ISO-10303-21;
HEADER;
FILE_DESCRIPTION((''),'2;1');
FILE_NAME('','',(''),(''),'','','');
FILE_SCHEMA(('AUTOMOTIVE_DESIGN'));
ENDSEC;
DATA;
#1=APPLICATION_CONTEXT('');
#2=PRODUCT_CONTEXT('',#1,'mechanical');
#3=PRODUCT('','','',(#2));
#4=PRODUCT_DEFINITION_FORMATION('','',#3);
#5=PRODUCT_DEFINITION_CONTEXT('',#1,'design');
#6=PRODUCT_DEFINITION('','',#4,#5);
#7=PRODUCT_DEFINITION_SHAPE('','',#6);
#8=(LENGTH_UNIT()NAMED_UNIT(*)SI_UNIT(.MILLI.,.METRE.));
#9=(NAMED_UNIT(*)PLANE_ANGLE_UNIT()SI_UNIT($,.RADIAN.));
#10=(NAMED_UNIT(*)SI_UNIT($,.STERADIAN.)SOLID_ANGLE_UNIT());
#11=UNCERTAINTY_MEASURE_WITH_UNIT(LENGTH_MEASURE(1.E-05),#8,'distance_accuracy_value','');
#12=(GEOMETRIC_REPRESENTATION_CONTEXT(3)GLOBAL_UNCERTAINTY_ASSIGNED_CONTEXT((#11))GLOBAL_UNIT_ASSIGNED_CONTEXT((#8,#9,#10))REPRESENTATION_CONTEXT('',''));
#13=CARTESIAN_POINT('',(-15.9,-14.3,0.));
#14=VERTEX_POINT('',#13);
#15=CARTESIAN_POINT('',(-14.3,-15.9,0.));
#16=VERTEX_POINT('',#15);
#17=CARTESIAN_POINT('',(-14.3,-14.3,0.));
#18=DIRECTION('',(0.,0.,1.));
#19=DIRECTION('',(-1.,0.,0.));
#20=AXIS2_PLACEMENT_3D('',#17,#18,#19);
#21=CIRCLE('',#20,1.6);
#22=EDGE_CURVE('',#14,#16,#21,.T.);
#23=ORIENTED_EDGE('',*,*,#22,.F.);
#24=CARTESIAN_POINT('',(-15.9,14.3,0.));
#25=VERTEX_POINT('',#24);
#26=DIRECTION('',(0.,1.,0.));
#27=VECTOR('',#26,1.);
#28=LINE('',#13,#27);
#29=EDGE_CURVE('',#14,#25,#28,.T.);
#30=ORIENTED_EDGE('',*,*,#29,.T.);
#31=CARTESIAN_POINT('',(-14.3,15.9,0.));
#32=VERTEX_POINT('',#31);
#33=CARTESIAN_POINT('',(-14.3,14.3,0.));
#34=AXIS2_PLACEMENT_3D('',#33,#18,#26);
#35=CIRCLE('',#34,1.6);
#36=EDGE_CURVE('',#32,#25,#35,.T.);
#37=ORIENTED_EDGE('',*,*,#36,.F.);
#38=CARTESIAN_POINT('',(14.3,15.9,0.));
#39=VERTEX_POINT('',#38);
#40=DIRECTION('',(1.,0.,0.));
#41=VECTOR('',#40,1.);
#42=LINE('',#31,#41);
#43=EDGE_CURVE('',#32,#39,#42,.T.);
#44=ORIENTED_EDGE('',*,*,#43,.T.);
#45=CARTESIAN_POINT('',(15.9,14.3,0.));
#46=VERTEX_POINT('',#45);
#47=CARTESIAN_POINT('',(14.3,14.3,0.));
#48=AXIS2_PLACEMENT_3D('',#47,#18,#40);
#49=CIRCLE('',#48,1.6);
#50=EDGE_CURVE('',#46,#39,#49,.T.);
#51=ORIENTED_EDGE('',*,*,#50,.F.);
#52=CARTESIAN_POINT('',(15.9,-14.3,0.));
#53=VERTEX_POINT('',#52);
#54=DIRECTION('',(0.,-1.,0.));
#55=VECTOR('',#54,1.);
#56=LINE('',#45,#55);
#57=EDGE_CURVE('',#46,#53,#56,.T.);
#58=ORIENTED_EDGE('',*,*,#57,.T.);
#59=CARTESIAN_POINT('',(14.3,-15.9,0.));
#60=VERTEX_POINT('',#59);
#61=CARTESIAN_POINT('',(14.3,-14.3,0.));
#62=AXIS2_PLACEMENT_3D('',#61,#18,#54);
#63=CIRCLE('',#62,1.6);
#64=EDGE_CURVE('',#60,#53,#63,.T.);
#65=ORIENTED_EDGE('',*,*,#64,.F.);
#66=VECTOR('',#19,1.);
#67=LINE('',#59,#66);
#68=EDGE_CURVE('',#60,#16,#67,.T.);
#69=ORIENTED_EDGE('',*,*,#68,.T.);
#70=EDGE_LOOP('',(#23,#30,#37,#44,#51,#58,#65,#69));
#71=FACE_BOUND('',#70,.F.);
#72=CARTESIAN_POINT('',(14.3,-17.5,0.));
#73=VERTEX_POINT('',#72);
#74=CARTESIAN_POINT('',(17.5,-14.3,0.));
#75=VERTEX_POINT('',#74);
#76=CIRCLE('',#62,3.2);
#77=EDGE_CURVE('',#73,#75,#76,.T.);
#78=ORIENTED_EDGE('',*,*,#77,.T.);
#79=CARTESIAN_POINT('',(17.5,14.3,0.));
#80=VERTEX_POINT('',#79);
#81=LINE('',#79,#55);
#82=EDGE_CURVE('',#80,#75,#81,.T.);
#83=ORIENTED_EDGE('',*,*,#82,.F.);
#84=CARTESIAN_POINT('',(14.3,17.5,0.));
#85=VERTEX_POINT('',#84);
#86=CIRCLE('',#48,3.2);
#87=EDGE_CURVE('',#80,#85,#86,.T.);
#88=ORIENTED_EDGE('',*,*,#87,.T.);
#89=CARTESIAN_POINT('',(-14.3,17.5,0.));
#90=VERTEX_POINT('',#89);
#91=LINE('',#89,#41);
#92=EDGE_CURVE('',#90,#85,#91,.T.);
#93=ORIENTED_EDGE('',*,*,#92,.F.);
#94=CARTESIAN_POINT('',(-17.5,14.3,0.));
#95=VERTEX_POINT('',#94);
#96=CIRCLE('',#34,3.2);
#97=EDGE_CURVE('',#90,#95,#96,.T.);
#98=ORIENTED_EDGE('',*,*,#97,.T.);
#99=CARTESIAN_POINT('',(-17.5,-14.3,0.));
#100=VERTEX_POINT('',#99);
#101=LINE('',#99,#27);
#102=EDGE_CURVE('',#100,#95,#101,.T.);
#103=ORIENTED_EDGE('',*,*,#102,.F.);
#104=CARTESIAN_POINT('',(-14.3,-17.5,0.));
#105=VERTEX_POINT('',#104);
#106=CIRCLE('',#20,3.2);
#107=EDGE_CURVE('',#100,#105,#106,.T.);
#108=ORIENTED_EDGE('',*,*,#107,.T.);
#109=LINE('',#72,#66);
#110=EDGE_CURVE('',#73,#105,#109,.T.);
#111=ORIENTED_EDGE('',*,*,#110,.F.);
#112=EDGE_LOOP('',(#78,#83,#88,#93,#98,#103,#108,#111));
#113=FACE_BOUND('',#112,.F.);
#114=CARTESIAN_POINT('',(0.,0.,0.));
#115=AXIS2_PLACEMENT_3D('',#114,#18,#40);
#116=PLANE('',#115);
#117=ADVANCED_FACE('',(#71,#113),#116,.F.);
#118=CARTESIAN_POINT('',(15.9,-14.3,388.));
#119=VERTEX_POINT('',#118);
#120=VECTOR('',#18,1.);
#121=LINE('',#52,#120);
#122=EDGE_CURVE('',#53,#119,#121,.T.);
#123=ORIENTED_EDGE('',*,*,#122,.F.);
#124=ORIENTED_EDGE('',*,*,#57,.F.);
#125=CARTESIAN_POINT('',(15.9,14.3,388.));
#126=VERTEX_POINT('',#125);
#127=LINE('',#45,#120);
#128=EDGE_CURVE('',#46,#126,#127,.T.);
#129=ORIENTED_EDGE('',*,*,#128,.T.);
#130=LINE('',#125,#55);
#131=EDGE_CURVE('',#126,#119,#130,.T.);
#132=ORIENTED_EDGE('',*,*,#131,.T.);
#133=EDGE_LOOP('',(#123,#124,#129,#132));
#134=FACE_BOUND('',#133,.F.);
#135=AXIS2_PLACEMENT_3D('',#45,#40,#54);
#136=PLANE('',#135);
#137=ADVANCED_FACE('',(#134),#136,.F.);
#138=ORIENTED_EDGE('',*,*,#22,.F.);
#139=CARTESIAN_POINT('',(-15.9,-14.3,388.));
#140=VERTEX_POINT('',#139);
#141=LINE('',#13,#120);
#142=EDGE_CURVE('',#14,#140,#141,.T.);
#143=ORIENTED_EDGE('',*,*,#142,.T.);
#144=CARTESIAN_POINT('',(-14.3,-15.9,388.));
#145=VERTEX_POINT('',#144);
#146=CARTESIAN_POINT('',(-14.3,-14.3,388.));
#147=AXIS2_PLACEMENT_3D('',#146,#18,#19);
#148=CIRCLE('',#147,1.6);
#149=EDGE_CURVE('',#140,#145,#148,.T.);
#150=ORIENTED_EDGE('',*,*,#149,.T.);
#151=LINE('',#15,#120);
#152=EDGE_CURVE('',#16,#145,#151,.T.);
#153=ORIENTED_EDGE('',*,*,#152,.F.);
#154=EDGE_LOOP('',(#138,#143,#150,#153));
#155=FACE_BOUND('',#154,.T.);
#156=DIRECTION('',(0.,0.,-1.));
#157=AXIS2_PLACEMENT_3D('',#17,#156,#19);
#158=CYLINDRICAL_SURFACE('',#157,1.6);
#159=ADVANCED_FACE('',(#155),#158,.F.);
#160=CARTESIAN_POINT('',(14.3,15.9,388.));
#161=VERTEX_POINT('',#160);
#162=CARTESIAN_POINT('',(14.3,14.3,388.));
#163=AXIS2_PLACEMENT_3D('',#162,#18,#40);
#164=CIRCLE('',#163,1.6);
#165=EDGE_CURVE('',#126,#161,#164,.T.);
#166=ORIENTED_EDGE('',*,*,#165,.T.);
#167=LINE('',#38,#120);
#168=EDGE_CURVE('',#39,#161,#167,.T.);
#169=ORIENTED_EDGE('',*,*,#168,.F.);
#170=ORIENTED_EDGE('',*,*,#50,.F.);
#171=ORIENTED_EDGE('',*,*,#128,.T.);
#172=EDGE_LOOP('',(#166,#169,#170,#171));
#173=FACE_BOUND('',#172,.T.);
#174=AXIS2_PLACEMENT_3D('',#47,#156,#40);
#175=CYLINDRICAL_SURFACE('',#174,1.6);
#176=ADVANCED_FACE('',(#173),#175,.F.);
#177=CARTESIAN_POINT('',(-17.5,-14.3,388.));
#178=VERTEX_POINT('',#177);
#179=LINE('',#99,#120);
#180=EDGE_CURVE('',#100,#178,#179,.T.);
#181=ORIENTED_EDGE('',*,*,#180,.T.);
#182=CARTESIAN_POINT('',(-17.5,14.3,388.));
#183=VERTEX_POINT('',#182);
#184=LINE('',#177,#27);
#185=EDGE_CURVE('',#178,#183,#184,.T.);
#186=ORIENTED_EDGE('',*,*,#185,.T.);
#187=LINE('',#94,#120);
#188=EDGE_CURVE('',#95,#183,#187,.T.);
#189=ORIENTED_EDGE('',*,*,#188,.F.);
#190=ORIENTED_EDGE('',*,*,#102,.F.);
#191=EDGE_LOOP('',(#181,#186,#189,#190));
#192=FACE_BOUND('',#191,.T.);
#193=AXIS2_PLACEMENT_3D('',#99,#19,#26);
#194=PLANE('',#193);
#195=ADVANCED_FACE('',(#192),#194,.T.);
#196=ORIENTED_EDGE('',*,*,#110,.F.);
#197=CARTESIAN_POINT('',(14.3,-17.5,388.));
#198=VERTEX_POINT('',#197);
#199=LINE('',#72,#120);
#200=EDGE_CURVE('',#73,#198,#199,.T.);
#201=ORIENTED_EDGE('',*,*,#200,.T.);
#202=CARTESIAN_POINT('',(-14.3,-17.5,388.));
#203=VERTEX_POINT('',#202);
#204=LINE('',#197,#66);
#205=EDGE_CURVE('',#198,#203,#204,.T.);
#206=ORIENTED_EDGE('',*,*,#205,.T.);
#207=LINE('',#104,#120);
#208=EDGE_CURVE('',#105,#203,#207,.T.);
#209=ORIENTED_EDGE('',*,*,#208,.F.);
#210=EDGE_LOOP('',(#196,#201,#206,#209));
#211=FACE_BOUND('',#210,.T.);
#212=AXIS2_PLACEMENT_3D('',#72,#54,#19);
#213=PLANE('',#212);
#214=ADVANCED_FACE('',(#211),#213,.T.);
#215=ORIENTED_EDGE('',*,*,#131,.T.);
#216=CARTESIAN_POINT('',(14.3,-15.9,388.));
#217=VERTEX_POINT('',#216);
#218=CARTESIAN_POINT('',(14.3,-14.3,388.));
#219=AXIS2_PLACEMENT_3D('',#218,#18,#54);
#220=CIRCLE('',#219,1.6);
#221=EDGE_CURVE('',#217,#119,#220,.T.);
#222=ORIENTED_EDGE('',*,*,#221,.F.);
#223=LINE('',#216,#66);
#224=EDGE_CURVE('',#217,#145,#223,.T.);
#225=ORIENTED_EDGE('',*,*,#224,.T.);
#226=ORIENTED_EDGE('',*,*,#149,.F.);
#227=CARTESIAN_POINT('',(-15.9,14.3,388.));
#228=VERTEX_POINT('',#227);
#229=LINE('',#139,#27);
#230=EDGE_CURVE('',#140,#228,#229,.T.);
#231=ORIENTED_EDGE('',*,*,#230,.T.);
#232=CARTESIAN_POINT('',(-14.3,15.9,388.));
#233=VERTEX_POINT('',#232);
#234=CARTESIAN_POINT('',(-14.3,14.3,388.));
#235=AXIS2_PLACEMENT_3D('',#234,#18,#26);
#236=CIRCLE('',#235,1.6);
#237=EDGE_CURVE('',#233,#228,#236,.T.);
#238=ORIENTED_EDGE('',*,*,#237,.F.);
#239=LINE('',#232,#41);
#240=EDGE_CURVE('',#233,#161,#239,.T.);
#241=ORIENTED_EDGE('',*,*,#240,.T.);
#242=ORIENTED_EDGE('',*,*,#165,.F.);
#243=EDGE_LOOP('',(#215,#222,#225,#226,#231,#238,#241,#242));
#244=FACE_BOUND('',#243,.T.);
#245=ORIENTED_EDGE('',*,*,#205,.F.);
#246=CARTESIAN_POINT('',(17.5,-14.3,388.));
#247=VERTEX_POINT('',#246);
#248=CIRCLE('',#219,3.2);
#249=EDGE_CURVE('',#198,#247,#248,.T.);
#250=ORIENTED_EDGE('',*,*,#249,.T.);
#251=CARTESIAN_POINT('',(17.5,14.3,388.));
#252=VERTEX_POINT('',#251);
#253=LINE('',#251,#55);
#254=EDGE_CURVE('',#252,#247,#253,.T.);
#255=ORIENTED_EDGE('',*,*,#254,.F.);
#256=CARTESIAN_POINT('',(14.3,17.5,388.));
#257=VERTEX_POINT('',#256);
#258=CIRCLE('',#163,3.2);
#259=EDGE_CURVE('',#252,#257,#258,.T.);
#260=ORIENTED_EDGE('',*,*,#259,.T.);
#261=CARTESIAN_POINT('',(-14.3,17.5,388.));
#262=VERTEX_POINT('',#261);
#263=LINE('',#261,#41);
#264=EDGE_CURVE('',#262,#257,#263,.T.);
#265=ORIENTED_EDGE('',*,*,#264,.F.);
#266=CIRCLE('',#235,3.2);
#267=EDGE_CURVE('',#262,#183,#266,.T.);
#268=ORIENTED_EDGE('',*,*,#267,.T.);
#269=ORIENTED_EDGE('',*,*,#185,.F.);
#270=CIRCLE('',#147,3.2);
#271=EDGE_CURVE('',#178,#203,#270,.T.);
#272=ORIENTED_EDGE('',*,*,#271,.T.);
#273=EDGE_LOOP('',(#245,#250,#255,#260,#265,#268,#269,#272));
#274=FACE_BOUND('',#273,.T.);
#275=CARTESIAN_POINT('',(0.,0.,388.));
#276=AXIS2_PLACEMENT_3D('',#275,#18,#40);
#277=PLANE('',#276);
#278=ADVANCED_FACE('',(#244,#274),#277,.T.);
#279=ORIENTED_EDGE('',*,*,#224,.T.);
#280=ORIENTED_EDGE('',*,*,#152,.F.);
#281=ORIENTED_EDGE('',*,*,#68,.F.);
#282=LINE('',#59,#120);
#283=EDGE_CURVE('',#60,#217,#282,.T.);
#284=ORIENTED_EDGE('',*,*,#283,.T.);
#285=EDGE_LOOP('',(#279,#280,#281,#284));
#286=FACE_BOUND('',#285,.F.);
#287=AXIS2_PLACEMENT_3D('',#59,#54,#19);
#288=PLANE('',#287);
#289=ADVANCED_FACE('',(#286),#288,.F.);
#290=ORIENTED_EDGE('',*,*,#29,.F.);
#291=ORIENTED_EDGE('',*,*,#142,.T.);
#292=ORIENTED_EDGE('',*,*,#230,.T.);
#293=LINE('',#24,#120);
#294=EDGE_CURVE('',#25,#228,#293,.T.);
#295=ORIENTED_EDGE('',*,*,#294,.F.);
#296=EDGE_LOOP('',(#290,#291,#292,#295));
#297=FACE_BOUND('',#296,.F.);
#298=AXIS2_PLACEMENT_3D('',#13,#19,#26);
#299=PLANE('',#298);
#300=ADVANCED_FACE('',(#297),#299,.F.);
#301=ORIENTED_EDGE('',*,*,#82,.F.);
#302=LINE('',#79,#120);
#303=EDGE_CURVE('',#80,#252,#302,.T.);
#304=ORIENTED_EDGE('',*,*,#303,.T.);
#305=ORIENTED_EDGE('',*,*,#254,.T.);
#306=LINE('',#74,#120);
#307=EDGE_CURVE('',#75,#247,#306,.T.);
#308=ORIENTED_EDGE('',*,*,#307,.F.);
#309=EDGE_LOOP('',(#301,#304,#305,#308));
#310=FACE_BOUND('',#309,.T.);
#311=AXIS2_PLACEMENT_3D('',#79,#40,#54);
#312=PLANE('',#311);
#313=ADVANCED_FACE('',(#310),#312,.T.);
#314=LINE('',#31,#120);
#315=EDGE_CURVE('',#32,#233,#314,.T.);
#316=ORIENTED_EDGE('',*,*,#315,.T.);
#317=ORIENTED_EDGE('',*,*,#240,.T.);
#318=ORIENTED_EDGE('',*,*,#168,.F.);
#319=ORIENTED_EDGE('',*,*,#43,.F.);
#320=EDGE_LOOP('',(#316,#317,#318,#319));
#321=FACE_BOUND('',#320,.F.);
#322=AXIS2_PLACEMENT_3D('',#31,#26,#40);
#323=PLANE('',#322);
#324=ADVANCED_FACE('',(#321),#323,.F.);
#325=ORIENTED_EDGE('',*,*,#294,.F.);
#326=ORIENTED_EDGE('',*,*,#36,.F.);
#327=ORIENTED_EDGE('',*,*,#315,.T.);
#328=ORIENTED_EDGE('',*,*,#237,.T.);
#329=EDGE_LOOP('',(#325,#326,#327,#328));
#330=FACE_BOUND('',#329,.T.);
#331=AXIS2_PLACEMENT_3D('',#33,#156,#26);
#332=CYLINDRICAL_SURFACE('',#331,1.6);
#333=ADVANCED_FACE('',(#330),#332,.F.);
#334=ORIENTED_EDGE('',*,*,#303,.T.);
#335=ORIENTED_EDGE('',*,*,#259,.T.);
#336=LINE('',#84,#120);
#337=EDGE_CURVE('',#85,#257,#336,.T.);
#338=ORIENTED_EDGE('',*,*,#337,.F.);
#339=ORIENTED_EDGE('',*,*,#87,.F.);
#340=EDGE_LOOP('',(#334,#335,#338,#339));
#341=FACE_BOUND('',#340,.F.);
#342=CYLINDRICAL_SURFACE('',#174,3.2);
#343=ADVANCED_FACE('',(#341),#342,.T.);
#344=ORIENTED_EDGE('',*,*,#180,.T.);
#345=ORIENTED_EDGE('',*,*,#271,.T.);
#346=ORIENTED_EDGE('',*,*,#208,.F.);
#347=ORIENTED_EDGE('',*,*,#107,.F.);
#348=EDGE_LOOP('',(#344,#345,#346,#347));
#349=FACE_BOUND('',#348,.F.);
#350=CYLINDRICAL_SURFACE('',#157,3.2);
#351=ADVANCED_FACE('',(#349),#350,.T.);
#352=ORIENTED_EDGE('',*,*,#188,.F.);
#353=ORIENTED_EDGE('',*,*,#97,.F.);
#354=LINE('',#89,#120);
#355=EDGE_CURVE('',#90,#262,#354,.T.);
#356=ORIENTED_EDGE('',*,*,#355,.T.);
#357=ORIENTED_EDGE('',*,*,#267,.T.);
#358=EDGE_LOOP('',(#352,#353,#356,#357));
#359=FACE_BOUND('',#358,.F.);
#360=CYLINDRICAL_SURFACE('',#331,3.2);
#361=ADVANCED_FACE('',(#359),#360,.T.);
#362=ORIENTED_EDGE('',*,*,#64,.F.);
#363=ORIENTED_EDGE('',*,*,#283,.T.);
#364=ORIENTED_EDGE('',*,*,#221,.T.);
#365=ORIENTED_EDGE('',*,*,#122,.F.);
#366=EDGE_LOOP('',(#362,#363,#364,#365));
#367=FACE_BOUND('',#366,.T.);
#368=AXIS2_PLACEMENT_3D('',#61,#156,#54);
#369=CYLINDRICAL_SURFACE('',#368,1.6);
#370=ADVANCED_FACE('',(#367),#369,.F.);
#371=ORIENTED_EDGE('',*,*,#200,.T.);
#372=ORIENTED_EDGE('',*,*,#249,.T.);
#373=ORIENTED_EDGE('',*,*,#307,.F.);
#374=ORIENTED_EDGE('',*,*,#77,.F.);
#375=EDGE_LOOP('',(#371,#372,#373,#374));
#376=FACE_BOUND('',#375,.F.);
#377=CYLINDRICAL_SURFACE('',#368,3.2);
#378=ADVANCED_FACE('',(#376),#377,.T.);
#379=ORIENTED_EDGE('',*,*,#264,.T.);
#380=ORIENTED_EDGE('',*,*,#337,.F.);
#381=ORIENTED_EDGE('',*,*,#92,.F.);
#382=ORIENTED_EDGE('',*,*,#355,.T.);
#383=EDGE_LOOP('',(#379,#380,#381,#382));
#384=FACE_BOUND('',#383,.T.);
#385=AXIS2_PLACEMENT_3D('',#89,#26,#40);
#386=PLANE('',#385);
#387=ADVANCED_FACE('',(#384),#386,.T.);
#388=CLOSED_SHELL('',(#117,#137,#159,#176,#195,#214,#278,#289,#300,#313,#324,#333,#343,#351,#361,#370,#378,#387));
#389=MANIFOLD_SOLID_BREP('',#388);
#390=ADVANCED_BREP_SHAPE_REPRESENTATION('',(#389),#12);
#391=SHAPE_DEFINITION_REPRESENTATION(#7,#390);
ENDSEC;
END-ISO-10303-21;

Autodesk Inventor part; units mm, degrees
ref_plane "YZ Plane" through (0, 0, 0) normal (1, 0, 0) x (0, 1, 0)
ref_plane "Start plane" through (0, 0, 0) normal (0, 0, 1) x (1, 0, 0)
ref_plane "End plane" through (0, 0, 388) normal (0, 0, 1) x (1, 0, 0)
sketch "Sketch" plane through (0, 0, 0) normal (0, 0, 1) x (1, 0, 0)
  line L0 (-17.5, -14.3) -> (-17.5, 14.3)
  line L1 (-14.3, 17.5) -> (14.3, 17.5)
  line L2 (17.5, 14.3) -> (17.5, -14.3)
  line L3 (14.3, -17.5) -> (-14.3, -17.5)
  arc A0 (-17.5, -14.3) -> (-14.3, -17.5) centre (-14.3, -14.3) ccw
  arc A1 (-14.3, 17.5) -> (-17.5, 14.3) centre (-14.3, 14.3) ccw
  arc A2 (17.5, 14.3) -> (14.3, 17.5) centre (14.3, 14.3) ccw
  arc A3 (14.3, -17.5) -> (17.5, -14.3) centre (14.3, -14.3) ccw
  arc A4 (-14.3, 15.9) -> (-15.9, 14.3) centre (-14.3, 14.3) ccw
  line L4 (-14.3, 15.9) -> (14.3, 15.9)
  arc A5 (15.9, 14.3) -> (14.3, 15.9) centre (14.3, 14.3) ccw
  line L5 (15.9, 14.3) -> (15.9, -14.3)
  arc A6 (14.3, -15.9) -> (15.9, -14.3) centre (14.3, -14.3) ccw
  line L6 (14.3, -15.9) -> (-14.3, -15.9)
  arc A7 (-15.9, -14.3) -> (-14.3, -15.9) centre (-14.3, -14.3) ccw
  line L7 (-15.9, -14.3) -> (-15.9, 14.3)
  line L8 (0, 25.4278) -> (0, -25.4278) construction
  line L9 (-25.4278, 0) -> (25.4278, 0) construction
  dimension "d7" = 3.2
  dimension "d10" = 35
  dimension "d11" = 35
  dimension "d12" = 1.6
  dimension "d15" = 17.5
  dimension "d16" = 17.5
extrude "Body" add sketch "Sketch" along normal up to surface (388 mm away) from surface at 0
sketch "Sketch3" plane through (0, 0, 0) normal (0, 0, 1) x (1, 0, 0)
  line L0 (0, 0) -> (10, 0)
ref_plane "Work Plane3" through (0, 0, 0) normal (0, -1, 0) x (1, 0, 0)
sketch "Sketch4" plane through (0, 0, 0) normal (0, -1, 0) x (1, 0, 0)
  line L0 (-2, 0) -> (12, 0)
  line L1 (-2, 388) -> (12, 388)
  dimension "d18" = 388
equation "\"d7\" = G_IR"
equation "\"d10\" = G_H"
equation "\"d11\" = G_W"
equation "\"d12\" = G_T"
equation "\"d15\" = 0.5 * d10"
equation "\"d16\" = 0.5 * d11"
equation "\"d3\" = G_L"
equation "\"G_W\" = 35"
equation "\"G_H\" = 35"
equation "\"G_T\" = 1.6"
equation "\"G_IR\" = 3.2"
equation "\"G_L\" = d18"
equation "\"G_OFFSET_START\" = 0"
equation "\"G_OFFSET_END\" = 0"
equation "\"d14\" = G_OFFSET_END + B_L"
equation "\"B_L\" = 388"
properties part number "AS 1163 - C350L0 35x35x1.6 SHS - 388" material "Steel, Mild"
